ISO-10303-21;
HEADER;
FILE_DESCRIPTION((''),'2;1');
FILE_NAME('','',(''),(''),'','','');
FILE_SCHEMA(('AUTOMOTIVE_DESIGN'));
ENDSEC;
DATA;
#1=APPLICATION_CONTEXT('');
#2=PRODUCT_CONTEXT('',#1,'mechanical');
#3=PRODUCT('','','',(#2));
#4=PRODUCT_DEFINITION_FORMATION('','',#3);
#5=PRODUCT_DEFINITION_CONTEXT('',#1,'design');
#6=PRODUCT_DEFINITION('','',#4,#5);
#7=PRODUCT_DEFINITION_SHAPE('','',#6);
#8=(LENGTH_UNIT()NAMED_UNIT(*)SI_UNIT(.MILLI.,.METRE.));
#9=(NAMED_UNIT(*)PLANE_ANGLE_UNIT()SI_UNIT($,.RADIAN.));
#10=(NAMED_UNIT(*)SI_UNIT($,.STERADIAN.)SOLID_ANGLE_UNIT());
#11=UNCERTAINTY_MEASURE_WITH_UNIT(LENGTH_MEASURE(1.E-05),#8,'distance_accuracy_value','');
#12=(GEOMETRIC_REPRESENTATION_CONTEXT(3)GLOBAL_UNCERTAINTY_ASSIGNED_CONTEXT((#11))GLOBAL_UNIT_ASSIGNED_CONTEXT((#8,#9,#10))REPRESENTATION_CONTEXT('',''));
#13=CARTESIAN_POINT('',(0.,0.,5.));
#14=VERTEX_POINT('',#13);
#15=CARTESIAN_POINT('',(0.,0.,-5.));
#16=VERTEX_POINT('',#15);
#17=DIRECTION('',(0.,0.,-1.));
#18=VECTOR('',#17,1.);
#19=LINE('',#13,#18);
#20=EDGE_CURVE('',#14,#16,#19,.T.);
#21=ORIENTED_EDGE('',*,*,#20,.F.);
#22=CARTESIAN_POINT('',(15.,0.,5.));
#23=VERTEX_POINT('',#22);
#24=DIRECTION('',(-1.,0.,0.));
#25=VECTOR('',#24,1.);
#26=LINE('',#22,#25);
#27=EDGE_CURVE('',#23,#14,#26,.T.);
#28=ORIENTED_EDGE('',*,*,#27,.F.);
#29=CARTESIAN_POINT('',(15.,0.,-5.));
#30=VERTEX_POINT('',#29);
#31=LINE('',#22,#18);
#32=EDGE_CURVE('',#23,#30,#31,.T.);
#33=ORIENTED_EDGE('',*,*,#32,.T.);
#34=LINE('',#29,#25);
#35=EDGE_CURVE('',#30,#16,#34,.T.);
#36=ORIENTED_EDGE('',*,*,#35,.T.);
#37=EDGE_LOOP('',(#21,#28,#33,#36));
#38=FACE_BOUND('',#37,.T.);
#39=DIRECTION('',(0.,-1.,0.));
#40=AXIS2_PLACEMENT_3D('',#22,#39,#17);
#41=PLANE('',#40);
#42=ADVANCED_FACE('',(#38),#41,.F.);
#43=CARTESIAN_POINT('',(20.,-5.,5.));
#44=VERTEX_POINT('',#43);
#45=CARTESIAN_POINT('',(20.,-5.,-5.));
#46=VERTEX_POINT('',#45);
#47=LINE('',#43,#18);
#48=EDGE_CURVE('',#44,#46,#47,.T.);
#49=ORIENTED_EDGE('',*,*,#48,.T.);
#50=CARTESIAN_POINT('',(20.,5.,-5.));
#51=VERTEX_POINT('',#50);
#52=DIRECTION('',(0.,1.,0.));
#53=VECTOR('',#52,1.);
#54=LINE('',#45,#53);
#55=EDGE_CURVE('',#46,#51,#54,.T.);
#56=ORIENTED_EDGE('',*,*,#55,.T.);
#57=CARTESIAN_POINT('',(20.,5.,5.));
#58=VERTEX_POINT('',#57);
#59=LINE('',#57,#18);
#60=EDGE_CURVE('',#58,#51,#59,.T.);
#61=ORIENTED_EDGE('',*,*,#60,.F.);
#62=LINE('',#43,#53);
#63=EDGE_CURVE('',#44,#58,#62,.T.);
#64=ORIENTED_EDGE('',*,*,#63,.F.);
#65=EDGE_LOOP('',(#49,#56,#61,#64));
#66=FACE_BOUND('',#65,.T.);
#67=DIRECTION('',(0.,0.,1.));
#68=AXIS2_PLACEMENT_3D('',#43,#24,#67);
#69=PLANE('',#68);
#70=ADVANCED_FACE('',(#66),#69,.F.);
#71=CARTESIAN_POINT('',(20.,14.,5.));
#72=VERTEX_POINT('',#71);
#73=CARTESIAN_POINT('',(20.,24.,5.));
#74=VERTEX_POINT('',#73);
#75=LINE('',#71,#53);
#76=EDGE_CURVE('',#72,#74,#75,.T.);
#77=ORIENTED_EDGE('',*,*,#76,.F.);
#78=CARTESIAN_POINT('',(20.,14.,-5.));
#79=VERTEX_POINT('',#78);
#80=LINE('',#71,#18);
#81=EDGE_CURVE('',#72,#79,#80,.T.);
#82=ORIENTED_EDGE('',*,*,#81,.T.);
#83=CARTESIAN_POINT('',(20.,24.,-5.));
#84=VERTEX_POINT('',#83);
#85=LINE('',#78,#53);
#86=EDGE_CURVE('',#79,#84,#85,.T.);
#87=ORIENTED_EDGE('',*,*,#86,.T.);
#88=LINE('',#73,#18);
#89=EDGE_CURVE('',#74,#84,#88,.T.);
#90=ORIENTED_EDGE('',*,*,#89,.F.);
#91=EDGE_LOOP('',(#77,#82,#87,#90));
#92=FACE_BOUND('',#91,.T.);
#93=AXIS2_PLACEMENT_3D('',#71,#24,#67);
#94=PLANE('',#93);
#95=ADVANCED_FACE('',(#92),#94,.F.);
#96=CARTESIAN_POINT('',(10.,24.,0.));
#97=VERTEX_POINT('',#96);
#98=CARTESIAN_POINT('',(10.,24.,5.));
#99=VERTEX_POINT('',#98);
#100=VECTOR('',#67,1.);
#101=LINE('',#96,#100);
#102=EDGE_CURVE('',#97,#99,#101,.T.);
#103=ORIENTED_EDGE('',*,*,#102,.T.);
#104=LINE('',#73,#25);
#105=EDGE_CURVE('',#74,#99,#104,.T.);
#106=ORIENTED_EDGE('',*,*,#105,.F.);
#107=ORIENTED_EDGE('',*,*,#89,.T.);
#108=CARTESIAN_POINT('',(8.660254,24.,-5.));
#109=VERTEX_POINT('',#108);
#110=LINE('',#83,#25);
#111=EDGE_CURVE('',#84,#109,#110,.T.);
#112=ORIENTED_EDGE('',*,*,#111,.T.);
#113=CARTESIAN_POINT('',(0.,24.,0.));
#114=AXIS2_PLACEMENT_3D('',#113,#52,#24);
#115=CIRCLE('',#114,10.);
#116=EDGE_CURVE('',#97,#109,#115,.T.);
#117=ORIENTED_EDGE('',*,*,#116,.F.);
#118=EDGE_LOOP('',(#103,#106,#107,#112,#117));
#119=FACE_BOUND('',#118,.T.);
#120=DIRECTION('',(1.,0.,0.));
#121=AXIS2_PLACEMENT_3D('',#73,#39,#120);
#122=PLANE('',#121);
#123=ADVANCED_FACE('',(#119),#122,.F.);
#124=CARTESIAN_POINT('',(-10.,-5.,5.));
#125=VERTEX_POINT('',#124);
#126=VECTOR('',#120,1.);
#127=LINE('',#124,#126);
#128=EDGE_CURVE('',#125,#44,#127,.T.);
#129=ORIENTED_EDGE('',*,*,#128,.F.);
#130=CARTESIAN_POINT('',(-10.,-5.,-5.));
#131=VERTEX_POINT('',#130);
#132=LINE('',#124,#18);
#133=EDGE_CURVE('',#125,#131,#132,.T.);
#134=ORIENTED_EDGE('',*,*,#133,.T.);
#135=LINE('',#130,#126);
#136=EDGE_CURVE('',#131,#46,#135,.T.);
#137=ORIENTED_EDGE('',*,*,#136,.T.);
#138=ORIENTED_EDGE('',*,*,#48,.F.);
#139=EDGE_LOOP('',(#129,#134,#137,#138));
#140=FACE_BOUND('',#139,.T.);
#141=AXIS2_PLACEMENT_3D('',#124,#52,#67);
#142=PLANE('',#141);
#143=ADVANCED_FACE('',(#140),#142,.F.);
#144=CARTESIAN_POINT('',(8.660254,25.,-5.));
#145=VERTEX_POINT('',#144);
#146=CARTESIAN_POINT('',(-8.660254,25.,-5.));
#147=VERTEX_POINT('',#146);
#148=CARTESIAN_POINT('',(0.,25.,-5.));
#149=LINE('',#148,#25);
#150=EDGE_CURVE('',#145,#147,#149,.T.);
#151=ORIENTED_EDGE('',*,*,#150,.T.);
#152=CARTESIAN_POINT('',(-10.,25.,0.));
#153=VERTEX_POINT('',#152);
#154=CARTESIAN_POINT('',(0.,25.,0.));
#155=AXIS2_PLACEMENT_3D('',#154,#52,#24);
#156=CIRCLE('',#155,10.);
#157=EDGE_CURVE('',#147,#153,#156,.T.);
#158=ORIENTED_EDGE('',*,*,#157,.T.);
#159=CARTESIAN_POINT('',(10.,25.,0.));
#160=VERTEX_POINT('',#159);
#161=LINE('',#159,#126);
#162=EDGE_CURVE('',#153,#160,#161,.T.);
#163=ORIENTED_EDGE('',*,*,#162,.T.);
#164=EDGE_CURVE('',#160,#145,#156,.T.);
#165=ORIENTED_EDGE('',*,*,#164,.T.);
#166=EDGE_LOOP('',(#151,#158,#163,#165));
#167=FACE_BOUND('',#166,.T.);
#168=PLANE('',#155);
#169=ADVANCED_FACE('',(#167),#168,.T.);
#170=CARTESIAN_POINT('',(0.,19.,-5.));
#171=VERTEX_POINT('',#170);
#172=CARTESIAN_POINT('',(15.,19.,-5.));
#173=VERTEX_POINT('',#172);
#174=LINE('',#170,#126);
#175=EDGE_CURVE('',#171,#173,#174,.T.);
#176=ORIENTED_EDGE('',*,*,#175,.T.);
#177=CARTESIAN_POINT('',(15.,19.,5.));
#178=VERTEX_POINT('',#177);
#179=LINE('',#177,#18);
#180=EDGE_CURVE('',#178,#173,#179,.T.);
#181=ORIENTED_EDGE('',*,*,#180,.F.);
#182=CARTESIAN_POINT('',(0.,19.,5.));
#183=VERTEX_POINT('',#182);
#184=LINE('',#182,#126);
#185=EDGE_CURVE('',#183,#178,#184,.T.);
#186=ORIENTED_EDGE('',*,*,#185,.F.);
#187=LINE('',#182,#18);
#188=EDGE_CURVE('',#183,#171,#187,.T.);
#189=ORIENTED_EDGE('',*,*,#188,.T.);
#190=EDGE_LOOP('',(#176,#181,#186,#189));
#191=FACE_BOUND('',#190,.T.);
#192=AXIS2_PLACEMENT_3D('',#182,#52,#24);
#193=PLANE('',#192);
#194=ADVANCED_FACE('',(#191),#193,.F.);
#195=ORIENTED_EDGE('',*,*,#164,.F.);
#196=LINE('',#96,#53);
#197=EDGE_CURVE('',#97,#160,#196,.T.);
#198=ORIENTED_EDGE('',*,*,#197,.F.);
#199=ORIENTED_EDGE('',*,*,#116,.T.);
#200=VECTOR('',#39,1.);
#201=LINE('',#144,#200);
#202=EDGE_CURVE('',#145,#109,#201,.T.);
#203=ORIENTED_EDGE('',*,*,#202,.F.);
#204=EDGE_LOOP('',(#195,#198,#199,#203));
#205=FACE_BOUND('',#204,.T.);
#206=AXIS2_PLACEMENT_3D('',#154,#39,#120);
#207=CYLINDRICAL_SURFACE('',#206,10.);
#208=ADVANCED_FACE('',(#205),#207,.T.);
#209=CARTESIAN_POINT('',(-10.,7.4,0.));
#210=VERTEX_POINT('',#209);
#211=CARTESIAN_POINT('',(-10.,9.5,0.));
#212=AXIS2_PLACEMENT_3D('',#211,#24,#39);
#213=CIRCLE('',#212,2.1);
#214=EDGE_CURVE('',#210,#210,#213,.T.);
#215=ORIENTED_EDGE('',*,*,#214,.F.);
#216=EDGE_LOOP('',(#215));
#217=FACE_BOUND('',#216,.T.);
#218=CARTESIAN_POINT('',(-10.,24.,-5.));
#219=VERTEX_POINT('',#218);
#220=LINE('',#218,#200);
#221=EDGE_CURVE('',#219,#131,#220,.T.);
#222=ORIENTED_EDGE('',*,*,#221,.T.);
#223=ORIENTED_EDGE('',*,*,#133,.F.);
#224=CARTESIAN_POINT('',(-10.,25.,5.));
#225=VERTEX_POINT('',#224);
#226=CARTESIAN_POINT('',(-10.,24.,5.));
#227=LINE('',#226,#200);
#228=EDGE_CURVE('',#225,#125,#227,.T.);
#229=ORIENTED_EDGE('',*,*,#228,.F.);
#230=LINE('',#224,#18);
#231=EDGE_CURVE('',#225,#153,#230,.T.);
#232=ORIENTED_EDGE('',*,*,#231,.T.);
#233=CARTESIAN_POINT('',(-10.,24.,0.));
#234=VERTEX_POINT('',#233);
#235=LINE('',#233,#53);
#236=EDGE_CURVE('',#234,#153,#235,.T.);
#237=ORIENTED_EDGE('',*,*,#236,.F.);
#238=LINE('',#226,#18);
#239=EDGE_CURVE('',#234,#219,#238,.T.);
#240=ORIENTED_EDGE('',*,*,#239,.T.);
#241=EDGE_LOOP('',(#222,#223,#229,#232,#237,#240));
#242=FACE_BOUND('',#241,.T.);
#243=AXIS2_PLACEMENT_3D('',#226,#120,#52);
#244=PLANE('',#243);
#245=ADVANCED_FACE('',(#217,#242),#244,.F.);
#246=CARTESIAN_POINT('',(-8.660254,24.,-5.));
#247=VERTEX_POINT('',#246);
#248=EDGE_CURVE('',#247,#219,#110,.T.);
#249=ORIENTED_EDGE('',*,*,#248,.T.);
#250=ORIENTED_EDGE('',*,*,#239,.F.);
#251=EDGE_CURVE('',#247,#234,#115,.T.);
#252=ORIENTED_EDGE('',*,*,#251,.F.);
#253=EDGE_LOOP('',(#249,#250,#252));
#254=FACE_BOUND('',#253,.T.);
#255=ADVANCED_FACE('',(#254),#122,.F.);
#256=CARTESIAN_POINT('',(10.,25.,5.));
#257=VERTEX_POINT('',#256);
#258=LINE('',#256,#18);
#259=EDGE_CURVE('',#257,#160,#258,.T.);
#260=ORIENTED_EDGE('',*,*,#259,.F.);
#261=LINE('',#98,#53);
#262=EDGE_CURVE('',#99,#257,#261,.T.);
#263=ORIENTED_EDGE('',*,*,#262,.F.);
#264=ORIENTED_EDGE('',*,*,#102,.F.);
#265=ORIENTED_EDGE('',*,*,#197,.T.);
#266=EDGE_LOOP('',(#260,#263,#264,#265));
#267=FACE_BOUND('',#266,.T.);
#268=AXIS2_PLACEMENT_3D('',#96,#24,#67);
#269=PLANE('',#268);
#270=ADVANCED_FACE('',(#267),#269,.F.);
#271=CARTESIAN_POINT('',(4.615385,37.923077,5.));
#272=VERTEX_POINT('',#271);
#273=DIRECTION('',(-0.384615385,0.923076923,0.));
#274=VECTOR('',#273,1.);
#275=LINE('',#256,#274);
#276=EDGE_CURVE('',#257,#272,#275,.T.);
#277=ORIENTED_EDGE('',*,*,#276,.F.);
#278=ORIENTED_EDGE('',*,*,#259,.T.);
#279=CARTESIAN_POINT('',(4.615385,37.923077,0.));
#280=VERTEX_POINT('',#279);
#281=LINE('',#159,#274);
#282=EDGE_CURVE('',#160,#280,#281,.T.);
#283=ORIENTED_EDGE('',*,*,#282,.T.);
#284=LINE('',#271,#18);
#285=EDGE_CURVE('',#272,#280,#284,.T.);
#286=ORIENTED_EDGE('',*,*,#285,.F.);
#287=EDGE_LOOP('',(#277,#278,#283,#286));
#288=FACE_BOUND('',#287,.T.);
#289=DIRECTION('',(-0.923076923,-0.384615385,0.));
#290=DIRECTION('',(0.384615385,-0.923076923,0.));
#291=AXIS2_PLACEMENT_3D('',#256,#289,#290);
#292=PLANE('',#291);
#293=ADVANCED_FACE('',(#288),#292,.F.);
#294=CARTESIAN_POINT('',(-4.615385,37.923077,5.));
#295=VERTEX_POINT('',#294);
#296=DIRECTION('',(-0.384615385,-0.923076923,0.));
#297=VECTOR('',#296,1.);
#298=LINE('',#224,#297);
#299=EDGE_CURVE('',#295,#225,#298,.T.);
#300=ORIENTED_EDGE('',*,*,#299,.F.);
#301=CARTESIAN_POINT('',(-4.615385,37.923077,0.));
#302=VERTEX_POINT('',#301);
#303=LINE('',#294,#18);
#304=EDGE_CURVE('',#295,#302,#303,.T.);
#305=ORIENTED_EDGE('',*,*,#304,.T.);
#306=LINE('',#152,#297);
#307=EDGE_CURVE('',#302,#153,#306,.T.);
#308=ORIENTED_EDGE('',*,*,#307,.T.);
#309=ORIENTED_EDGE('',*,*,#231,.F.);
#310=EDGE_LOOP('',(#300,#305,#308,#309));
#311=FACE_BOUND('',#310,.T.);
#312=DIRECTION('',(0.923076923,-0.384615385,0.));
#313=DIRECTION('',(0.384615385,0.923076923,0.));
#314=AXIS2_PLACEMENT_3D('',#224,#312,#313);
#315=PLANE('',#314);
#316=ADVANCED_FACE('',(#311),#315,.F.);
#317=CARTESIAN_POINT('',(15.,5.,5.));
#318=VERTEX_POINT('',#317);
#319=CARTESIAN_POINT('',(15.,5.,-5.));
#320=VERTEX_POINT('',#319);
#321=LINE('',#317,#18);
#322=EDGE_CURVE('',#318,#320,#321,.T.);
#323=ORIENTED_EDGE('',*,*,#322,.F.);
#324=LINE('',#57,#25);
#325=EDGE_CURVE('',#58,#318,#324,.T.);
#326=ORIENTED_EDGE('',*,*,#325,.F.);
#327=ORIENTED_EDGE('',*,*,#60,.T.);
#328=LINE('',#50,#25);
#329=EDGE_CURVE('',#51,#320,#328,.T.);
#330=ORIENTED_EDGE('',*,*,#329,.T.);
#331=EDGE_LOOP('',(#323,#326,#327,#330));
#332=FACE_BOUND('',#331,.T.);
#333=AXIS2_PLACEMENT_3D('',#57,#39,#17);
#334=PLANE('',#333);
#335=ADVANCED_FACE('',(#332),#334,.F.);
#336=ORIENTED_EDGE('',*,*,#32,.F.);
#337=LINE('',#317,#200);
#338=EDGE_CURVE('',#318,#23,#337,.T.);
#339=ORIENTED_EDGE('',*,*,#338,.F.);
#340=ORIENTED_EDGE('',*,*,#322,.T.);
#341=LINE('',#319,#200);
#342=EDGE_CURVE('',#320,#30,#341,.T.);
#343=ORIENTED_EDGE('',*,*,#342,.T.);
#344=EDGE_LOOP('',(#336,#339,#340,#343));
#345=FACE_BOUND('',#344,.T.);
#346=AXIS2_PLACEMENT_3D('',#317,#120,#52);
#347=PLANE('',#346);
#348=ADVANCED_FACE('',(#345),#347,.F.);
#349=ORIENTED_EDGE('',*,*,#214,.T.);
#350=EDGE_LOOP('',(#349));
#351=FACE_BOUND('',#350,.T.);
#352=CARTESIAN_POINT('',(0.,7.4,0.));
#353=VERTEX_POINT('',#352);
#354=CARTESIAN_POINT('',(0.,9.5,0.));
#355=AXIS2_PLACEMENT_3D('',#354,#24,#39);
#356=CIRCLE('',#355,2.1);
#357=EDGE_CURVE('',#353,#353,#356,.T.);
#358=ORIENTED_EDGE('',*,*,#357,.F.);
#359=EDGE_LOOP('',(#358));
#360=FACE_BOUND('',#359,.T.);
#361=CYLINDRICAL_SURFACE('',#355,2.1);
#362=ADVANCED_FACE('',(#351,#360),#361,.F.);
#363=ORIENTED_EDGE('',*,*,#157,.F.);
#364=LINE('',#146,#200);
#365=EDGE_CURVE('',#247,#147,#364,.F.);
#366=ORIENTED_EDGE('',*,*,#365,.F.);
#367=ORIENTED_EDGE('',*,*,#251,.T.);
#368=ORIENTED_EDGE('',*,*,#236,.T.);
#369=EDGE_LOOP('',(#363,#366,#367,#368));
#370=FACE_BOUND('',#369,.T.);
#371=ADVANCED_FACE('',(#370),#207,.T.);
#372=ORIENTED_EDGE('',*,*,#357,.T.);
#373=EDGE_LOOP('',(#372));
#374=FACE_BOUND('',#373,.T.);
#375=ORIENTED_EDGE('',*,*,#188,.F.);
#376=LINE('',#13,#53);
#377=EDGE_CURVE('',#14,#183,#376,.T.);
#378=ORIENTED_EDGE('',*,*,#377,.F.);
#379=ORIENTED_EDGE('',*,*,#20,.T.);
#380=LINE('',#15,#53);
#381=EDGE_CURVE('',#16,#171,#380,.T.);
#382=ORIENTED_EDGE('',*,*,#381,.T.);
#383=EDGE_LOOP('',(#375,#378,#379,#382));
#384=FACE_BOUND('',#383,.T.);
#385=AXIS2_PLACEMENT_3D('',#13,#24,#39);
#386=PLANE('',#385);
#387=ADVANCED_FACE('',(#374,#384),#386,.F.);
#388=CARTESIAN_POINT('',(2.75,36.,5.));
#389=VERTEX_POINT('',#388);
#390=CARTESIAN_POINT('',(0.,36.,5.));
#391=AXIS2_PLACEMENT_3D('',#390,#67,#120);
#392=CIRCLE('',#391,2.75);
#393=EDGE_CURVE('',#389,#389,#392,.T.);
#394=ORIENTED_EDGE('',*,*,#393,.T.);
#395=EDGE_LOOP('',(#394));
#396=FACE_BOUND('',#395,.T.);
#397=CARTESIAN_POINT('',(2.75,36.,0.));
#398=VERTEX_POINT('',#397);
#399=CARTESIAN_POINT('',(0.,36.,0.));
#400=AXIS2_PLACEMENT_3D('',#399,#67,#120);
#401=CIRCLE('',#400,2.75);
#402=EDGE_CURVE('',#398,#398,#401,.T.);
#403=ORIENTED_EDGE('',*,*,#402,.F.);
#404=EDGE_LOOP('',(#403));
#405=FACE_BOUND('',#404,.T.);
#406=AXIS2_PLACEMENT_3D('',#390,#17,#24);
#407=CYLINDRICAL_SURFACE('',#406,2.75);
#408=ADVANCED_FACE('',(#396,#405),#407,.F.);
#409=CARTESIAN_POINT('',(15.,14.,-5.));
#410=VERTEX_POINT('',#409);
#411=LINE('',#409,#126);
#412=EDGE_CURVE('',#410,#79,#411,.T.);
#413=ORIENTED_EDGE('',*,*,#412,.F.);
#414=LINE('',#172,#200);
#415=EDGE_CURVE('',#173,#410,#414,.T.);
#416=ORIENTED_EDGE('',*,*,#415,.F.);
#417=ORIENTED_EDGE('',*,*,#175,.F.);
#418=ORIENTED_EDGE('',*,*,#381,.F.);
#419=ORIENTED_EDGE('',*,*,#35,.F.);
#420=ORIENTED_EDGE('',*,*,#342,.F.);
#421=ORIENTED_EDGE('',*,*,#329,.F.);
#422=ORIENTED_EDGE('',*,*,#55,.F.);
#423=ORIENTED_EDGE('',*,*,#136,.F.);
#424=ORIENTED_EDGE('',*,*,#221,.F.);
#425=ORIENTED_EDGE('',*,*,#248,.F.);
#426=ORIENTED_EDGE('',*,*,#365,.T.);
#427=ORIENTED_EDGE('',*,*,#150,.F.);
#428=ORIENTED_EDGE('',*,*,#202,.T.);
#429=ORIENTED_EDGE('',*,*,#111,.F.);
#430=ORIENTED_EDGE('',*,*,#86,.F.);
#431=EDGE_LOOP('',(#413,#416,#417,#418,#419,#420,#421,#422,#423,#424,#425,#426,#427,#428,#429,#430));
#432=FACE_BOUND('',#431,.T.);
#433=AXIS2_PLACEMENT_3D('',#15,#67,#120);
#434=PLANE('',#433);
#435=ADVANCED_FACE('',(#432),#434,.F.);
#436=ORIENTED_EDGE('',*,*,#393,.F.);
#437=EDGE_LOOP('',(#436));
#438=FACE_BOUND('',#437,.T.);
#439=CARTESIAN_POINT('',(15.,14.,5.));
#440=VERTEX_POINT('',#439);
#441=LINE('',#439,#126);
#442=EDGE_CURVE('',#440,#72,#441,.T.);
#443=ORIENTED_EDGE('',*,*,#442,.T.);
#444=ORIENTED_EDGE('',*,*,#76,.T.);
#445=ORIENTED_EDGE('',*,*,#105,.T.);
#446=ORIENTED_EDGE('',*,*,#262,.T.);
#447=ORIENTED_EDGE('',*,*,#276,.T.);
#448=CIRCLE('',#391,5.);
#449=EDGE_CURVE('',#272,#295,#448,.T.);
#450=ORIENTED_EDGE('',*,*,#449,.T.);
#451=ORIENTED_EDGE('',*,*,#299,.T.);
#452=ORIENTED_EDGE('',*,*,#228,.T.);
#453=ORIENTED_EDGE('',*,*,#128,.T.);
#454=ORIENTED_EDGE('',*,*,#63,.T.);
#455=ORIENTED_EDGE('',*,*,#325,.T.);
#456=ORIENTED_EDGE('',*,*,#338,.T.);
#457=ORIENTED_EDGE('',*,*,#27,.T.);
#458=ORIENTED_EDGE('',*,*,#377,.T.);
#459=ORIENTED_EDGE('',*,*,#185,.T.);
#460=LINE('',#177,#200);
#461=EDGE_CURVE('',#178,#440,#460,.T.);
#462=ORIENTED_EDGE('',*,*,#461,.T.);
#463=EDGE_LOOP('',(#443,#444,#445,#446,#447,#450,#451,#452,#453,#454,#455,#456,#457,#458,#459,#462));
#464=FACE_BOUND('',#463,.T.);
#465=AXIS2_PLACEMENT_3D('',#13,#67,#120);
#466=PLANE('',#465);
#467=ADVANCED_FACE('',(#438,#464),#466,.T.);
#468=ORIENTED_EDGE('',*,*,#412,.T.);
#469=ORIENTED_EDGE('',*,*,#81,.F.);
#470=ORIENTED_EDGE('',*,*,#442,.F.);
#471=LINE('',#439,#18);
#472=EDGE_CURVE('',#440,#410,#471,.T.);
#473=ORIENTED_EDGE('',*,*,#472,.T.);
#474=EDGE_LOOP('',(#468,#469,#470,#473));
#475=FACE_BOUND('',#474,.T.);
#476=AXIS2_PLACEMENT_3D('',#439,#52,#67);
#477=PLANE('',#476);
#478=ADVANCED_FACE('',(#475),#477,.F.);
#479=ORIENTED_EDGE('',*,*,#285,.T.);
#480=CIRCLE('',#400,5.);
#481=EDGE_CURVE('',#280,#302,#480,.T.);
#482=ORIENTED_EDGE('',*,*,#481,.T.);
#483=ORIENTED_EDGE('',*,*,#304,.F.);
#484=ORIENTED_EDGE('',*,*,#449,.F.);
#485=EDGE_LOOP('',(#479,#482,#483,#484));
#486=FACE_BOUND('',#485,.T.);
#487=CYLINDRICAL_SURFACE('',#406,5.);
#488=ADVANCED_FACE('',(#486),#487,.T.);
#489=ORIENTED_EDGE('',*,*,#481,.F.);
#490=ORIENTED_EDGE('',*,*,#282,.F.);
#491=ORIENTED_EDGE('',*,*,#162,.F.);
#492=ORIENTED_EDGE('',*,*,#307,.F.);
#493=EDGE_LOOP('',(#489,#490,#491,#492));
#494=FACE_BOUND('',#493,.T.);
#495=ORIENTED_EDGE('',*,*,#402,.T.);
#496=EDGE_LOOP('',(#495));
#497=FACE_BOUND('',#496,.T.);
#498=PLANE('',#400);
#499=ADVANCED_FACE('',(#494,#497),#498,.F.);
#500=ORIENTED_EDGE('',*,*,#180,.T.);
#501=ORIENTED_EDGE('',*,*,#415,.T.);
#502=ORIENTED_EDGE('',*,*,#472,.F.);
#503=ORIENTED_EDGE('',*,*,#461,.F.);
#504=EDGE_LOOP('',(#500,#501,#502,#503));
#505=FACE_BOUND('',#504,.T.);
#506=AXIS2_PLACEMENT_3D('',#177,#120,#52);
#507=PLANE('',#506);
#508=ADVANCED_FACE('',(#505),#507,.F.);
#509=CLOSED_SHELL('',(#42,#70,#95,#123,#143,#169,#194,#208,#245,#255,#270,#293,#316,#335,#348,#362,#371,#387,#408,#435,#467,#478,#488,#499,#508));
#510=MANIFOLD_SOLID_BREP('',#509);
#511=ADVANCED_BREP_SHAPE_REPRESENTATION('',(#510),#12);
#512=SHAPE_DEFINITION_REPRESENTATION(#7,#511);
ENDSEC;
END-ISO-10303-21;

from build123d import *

# Parameters (mm, degrees)
BOSS_EXTRUDE1_DEPTH = 5
SKETCH2_R           = 2.1
CUT_EXTRUDE1_DEPTH  = 10
SKETCH3_R           = 10
BOSS_EXTRUDE2_DEPTH = 1
SKETCH4_R           = 2.75
BOSS_EXTRUDE3_DEPTH = 5
SKETCH5_W           = 50
SKETCH5_H           = 30
SKETCH5_W_2         = 30
SKETCH5_H_2         = 10
CUT_EXTRUDE2_DEPTH  = 52.14684741
BOSS_EXTRUDE4_START = 1
BOSS_EXTRUDE4_DEPTH = 1


with BuildPart() as part:
    # Sketch1 → Boss-Extrude1 (new, symmetric)
    with BuildSketch(Plane.XY):
        Polygon((15, 5), (15, 0), (0, 0), (0, 19), (15, 19), (15, 14), (20, 14), (20, 24), (-10, 24), (-10, -5), (20, -5), (20, 5), align=None)
    extrude(amount=BOSS_EXTRUDE1_DEPTH, both=True)

    # Sketch2 → Cut-Extrude1 (cut)
    with BuildSketch(Plane.ZY.offset(10)):
        with Locations(Location((0, 9.5, 0), (0, 0, 270))):
            Circle(SKETCH2_R)
    extrude(amount=-CUT_EXTRUDE1_DEPTH, mode=Mode.SUBTRACT)

    # Sketch3 → Boss-Extrude2 (add)
    with BuildSketch(Plane(origin=(0, 24, 0), x_dir=(1, 0, 0), z_dir=(0, 1, 0))):
        with Locations(Location((0, 0, 0), (0, 0, 180))):
            Circle(SKETCH3_R)
    extrude(amount=BOSS_EXTRUDE2_DEPTH)

    # Sketch4 → Boss-Extrude3 (add)
    with BuildSketch(Plane.XY):
        with BuildLine():
            Line((10, 25), (-10, 25))
            Line((-10, 25), (-4.615384615, 37.923076923))
            ThreePointArc((-4.615384615, 37.923076923), (0, 41), (4.615384615, 37.923076923))
            Line((4.615384615, 37.923076923), (10, 25))
        make_face()
        with Locations((0, 36)):
            Circle(SKETCH4_R, mode=Mode.SUBTRACT)
    extrude(amount=BOSS_EXTRUDE3_DEPTH)

    # Sketch5 → Cut-Extrude2 (cut, through all)
    with BuildSketch(Plane.XZ.offset(5)):
        with Locations((5, 0)):
            Rectangle(SKETCH5_W, SKETCH5_H)
        with Locations((5, 0)):
            Rectangle(SKETCH5_W_2, SKETCH5_H_2, mode=Mode.SUBTRACT)
    extrude(amount=-CUT_EXTRUDE2_DEPTH, mode=Mode.SUBTRACT)

    # Sketch6 → Boss-Extrude4 (add)
    with BuildSketch(Plane.XZ.offset(-25).offset(BOSS_EXTRUDE4_START)):
        with BuildLine():
            Line((10, 5), (8.660254038, 5))
            ThreePointArc((8.660254038, 5), (9.659258263, 2.588190451), (10, 0))
            Line((10, 0), (10, 5))
        make_face()
        with BuildLine():
            Line((-10, 5), (-10, 0))
            ThreePointArc((-10, 0), (-9.659258263, 2.588190451), (-8.660254038, 5))
            Line((-8.660254038, 5), (-10, 5))
        make_face()
    extrude(amount=-BOSS_EXTRUDE4_DEPTH)


solid = part.part
